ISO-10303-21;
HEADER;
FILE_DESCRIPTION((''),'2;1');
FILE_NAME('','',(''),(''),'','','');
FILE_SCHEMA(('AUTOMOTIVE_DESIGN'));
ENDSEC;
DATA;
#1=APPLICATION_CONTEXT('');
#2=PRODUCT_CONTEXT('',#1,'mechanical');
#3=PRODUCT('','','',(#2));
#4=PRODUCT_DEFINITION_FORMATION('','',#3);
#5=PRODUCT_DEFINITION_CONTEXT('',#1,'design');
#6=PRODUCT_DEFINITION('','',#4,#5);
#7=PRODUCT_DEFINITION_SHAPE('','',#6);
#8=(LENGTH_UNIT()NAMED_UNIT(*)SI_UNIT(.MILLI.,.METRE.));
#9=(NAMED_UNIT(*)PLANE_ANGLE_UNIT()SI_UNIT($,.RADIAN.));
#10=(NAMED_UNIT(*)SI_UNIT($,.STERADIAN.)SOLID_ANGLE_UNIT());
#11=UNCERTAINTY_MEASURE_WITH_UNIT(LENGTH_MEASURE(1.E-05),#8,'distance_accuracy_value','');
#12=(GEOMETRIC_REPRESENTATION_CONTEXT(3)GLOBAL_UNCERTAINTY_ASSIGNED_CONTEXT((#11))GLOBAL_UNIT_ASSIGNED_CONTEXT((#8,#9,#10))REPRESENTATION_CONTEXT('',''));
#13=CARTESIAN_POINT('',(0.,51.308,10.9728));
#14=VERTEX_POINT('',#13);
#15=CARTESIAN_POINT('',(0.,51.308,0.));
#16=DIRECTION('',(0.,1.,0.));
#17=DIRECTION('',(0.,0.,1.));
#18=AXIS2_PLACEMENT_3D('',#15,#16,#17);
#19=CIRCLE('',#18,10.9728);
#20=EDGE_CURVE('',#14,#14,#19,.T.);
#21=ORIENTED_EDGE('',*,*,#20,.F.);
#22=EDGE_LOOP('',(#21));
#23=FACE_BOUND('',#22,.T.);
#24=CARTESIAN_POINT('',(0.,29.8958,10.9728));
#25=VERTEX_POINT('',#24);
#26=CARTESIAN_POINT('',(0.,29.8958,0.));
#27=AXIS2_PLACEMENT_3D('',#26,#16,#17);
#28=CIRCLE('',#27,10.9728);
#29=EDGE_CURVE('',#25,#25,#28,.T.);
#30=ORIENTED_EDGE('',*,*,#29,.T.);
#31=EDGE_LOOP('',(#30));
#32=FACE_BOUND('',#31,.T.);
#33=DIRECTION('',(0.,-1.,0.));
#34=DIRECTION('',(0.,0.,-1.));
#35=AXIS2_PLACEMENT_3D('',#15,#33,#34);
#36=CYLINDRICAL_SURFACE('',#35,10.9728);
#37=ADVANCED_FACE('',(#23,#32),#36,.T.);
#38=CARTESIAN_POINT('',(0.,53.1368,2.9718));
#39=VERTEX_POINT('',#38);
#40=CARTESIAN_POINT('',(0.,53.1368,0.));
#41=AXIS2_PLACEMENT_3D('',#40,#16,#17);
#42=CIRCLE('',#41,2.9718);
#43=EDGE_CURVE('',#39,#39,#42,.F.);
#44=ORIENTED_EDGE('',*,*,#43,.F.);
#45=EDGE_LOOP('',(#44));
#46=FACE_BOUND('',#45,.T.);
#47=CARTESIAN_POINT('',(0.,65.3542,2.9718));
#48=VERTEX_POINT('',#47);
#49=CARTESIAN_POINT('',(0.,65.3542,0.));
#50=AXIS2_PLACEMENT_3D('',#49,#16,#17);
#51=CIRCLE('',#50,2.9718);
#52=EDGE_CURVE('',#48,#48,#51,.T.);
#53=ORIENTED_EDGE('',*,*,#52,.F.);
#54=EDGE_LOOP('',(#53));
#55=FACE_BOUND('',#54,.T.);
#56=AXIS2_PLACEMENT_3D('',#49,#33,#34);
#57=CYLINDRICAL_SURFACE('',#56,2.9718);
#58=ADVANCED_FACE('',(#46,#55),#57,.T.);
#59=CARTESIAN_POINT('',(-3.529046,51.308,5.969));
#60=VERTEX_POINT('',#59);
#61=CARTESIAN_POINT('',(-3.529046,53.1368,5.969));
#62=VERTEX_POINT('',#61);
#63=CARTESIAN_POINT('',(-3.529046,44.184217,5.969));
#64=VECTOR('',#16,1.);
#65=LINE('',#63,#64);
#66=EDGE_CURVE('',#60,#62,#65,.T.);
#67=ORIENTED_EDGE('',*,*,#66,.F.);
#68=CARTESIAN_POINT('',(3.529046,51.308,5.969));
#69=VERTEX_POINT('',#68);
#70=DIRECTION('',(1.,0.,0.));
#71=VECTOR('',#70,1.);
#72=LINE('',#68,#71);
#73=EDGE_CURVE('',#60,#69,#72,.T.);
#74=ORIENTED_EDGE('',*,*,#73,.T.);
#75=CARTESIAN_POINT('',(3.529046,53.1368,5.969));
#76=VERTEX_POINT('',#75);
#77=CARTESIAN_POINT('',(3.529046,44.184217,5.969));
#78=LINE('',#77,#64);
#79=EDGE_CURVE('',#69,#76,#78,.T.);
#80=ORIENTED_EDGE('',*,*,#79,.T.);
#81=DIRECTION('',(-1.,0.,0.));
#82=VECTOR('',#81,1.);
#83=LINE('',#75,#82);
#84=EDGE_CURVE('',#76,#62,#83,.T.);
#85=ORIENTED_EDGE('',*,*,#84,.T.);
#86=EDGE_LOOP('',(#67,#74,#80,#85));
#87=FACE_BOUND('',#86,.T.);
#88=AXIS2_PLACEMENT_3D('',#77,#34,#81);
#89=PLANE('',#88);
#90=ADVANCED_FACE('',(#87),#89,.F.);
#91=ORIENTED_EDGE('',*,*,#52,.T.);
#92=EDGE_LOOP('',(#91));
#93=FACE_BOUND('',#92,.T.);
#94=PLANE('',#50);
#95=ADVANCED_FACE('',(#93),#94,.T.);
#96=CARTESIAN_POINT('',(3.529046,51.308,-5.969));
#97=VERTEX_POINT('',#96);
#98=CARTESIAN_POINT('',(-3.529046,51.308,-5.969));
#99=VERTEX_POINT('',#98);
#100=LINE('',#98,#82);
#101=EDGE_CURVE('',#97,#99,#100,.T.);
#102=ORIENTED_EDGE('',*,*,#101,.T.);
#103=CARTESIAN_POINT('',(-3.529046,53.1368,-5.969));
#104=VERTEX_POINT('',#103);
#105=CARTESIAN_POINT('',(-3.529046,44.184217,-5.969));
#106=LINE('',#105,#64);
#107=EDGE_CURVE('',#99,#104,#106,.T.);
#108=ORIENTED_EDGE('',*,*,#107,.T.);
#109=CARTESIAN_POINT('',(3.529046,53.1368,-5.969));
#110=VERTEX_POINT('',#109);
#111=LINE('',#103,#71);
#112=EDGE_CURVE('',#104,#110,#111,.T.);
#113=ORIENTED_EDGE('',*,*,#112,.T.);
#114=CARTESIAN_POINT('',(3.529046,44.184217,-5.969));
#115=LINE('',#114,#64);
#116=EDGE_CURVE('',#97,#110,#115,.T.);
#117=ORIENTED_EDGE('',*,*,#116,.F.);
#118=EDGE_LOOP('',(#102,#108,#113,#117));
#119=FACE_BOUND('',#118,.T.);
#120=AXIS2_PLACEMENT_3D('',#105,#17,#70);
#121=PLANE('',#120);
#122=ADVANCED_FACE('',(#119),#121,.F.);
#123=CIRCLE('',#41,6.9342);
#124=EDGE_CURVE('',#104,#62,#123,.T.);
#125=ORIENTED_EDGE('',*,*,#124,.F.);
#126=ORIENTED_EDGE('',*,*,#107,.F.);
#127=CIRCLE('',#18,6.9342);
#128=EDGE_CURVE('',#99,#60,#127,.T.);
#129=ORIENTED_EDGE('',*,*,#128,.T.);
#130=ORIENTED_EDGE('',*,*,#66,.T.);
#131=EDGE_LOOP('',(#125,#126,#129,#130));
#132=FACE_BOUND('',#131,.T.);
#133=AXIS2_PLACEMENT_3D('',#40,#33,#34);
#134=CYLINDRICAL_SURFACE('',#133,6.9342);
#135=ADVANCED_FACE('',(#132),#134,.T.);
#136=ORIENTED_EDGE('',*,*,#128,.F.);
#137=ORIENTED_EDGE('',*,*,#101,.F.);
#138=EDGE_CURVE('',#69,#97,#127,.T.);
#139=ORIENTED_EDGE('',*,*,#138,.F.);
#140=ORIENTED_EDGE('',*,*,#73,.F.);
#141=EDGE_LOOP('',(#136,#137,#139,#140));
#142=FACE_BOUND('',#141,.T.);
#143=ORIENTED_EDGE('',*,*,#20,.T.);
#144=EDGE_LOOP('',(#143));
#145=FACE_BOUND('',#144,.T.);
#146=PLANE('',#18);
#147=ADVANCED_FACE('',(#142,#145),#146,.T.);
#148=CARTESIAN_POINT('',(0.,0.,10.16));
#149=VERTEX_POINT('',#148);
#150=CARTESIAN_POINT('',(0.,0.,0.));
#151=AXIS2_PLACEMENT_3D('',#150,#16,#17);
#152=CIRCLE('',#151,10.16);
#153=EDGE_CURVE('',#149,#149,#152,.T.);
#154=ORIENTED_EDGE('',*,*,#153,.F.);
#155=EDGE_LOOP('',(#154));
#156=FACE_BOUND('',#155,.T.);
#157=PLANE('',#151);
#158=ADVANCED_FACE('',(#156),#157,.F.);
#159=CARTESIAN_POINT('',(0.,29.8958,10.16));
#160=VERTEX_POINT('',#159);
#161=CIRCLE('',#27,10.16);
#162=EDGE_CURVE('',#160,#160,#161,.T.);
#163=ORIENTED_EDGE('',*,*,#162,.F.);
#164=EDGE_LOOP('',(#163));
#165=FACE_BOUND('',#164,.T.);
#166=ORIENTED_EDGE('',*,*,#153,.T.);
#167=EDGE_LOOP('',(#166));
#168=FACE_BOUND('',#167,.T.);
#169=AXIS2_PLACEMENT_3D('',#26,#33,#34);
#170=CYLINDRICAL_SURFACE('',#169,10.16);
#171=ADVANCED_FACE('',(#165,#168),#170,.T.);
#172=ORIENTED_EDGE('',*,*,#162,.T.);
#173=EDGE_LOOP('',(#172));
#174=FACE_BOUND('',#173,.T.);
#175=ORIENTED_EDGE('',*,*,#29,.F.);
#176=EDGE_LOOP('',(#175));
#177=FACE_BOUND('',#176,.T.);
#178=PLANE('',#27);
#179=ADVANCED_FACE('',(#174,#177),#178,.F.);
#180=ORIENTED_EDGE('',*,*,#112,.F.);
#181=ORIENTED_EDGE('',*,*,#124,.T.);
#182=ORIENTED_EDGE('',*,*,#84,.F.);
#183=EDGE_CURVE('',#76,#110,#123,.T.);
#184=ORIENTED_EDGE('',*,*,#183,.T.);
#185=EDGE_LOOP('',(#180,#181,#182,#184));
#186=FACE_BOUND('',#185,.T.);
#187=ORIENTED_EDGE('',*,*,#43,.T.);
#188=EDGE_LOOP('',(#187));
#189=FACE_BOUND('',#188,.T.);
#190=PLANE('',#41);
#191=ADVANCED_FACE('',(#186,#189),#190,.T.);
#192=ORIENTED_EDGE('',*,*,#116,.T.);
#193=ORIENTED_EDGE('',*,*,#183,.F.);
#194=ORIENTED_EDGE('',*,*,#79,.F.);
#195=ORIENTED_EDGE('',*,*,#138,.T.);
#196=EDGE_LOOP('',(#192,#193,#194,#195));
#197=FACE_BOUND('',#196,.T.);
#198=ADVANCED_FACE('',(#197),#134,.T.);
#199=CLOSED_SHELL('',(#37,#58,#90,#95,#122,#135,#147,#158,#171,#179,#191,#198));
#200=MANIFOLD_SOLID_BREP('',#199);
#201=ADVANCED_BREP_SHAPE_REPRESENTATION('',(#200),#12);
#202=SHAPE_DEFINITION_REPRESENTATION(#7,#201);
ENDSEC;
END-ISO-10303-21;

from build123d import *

# Parameters (mm, degrees)
SKETCH1_R           = 10.16
BOSS_EXTRUDE1_DEPTH = 29.8958
SKETCH2_R           = 10.9728
BOSS_EXTRUDE2_DEPTH = 21.4122
SKETCH3_R           = 6.9342
BOSS_EXTRUDE3_DEPTH = 1.8288
BOSS_EXTRUDE4_START = -53.1368
SKETCH4_R           = 2.9718
BOSS_EXTRUDE4_DEPTH = 65.3542
CUT_EXTRUDE1_DEPTH  = 1.8288


with BuildPart() as part:
    # Sketch1 → Boss-Extrude1 (new body)
    with BuildSketch(Plane(origin=(0, 0, 0), x_dir=(1, 0, 0), z_dir=(0, 1, 0))):
        Circle(SKETCH1_R)
    extrude(amount=BOSS_EXTRUDE1_DEPTH)

    # Sketch2 → Boss-Extrude2 (add)
    with BuildSketch(Plane(origin=(0, 29.8958, 0), x_dir=(1, 0, 0), z_dir=(0, 1, 0))):
        Circle(SKETCH2_R)
    extrude(amount=BOSS_EXTRUDE2_DEPTH)

    # Sketch3 → Boss-Extrude3 (add)
    with BuildSketch(Plane(origin=(0, 51.308, 0), x_dir=(1, 0, 0), z_dir=(0, 1, 0))):
        Circle(SKETCH3_R)
    extrude(amount=BOSS_EXTRUDE3_DEPTH)

    # Sketch4 → Boss-Extrude4 (add)
    with BuildSketch(Plane(origin=(0, 53.1368, 0), x_dir=(1, 0, 0), z_dir=(0, 1, 0)).offset(BOSS_EXTRUDE4_START)):
        Circle(SKETCH4_R)
    extrude(amount=BOSS_EXTRUDE4_DEPTH)

    # Sketch5 → Cut-Extrude1 (cut)
    with BuildSketch(Plane(origin=(0, 53.1368, 0), x_dir=(1, 0, 0), z_dir=(0, 1, 0))):
        with BuildLine():
            Line((-3.529046421, 5.969), (3.529046421, 5.969))
            ThreePointArc((3.529046421, 5.969), (0, 6.9342), (-3.529046421, 5.969))
        make_face()
        with BuildLine():
            Line((3.529046421, -5.969), (-3.529046421, -5.969))
            ThreePointArc((-3.529046421, -5.969), (0, -6.9342), (3.529046421, -5.969))
        make_face()
    extrude(amount=-CUT_EXTRUDE1_DEPTH, mode=Mode.SUBTRACT)


solid = part.part
